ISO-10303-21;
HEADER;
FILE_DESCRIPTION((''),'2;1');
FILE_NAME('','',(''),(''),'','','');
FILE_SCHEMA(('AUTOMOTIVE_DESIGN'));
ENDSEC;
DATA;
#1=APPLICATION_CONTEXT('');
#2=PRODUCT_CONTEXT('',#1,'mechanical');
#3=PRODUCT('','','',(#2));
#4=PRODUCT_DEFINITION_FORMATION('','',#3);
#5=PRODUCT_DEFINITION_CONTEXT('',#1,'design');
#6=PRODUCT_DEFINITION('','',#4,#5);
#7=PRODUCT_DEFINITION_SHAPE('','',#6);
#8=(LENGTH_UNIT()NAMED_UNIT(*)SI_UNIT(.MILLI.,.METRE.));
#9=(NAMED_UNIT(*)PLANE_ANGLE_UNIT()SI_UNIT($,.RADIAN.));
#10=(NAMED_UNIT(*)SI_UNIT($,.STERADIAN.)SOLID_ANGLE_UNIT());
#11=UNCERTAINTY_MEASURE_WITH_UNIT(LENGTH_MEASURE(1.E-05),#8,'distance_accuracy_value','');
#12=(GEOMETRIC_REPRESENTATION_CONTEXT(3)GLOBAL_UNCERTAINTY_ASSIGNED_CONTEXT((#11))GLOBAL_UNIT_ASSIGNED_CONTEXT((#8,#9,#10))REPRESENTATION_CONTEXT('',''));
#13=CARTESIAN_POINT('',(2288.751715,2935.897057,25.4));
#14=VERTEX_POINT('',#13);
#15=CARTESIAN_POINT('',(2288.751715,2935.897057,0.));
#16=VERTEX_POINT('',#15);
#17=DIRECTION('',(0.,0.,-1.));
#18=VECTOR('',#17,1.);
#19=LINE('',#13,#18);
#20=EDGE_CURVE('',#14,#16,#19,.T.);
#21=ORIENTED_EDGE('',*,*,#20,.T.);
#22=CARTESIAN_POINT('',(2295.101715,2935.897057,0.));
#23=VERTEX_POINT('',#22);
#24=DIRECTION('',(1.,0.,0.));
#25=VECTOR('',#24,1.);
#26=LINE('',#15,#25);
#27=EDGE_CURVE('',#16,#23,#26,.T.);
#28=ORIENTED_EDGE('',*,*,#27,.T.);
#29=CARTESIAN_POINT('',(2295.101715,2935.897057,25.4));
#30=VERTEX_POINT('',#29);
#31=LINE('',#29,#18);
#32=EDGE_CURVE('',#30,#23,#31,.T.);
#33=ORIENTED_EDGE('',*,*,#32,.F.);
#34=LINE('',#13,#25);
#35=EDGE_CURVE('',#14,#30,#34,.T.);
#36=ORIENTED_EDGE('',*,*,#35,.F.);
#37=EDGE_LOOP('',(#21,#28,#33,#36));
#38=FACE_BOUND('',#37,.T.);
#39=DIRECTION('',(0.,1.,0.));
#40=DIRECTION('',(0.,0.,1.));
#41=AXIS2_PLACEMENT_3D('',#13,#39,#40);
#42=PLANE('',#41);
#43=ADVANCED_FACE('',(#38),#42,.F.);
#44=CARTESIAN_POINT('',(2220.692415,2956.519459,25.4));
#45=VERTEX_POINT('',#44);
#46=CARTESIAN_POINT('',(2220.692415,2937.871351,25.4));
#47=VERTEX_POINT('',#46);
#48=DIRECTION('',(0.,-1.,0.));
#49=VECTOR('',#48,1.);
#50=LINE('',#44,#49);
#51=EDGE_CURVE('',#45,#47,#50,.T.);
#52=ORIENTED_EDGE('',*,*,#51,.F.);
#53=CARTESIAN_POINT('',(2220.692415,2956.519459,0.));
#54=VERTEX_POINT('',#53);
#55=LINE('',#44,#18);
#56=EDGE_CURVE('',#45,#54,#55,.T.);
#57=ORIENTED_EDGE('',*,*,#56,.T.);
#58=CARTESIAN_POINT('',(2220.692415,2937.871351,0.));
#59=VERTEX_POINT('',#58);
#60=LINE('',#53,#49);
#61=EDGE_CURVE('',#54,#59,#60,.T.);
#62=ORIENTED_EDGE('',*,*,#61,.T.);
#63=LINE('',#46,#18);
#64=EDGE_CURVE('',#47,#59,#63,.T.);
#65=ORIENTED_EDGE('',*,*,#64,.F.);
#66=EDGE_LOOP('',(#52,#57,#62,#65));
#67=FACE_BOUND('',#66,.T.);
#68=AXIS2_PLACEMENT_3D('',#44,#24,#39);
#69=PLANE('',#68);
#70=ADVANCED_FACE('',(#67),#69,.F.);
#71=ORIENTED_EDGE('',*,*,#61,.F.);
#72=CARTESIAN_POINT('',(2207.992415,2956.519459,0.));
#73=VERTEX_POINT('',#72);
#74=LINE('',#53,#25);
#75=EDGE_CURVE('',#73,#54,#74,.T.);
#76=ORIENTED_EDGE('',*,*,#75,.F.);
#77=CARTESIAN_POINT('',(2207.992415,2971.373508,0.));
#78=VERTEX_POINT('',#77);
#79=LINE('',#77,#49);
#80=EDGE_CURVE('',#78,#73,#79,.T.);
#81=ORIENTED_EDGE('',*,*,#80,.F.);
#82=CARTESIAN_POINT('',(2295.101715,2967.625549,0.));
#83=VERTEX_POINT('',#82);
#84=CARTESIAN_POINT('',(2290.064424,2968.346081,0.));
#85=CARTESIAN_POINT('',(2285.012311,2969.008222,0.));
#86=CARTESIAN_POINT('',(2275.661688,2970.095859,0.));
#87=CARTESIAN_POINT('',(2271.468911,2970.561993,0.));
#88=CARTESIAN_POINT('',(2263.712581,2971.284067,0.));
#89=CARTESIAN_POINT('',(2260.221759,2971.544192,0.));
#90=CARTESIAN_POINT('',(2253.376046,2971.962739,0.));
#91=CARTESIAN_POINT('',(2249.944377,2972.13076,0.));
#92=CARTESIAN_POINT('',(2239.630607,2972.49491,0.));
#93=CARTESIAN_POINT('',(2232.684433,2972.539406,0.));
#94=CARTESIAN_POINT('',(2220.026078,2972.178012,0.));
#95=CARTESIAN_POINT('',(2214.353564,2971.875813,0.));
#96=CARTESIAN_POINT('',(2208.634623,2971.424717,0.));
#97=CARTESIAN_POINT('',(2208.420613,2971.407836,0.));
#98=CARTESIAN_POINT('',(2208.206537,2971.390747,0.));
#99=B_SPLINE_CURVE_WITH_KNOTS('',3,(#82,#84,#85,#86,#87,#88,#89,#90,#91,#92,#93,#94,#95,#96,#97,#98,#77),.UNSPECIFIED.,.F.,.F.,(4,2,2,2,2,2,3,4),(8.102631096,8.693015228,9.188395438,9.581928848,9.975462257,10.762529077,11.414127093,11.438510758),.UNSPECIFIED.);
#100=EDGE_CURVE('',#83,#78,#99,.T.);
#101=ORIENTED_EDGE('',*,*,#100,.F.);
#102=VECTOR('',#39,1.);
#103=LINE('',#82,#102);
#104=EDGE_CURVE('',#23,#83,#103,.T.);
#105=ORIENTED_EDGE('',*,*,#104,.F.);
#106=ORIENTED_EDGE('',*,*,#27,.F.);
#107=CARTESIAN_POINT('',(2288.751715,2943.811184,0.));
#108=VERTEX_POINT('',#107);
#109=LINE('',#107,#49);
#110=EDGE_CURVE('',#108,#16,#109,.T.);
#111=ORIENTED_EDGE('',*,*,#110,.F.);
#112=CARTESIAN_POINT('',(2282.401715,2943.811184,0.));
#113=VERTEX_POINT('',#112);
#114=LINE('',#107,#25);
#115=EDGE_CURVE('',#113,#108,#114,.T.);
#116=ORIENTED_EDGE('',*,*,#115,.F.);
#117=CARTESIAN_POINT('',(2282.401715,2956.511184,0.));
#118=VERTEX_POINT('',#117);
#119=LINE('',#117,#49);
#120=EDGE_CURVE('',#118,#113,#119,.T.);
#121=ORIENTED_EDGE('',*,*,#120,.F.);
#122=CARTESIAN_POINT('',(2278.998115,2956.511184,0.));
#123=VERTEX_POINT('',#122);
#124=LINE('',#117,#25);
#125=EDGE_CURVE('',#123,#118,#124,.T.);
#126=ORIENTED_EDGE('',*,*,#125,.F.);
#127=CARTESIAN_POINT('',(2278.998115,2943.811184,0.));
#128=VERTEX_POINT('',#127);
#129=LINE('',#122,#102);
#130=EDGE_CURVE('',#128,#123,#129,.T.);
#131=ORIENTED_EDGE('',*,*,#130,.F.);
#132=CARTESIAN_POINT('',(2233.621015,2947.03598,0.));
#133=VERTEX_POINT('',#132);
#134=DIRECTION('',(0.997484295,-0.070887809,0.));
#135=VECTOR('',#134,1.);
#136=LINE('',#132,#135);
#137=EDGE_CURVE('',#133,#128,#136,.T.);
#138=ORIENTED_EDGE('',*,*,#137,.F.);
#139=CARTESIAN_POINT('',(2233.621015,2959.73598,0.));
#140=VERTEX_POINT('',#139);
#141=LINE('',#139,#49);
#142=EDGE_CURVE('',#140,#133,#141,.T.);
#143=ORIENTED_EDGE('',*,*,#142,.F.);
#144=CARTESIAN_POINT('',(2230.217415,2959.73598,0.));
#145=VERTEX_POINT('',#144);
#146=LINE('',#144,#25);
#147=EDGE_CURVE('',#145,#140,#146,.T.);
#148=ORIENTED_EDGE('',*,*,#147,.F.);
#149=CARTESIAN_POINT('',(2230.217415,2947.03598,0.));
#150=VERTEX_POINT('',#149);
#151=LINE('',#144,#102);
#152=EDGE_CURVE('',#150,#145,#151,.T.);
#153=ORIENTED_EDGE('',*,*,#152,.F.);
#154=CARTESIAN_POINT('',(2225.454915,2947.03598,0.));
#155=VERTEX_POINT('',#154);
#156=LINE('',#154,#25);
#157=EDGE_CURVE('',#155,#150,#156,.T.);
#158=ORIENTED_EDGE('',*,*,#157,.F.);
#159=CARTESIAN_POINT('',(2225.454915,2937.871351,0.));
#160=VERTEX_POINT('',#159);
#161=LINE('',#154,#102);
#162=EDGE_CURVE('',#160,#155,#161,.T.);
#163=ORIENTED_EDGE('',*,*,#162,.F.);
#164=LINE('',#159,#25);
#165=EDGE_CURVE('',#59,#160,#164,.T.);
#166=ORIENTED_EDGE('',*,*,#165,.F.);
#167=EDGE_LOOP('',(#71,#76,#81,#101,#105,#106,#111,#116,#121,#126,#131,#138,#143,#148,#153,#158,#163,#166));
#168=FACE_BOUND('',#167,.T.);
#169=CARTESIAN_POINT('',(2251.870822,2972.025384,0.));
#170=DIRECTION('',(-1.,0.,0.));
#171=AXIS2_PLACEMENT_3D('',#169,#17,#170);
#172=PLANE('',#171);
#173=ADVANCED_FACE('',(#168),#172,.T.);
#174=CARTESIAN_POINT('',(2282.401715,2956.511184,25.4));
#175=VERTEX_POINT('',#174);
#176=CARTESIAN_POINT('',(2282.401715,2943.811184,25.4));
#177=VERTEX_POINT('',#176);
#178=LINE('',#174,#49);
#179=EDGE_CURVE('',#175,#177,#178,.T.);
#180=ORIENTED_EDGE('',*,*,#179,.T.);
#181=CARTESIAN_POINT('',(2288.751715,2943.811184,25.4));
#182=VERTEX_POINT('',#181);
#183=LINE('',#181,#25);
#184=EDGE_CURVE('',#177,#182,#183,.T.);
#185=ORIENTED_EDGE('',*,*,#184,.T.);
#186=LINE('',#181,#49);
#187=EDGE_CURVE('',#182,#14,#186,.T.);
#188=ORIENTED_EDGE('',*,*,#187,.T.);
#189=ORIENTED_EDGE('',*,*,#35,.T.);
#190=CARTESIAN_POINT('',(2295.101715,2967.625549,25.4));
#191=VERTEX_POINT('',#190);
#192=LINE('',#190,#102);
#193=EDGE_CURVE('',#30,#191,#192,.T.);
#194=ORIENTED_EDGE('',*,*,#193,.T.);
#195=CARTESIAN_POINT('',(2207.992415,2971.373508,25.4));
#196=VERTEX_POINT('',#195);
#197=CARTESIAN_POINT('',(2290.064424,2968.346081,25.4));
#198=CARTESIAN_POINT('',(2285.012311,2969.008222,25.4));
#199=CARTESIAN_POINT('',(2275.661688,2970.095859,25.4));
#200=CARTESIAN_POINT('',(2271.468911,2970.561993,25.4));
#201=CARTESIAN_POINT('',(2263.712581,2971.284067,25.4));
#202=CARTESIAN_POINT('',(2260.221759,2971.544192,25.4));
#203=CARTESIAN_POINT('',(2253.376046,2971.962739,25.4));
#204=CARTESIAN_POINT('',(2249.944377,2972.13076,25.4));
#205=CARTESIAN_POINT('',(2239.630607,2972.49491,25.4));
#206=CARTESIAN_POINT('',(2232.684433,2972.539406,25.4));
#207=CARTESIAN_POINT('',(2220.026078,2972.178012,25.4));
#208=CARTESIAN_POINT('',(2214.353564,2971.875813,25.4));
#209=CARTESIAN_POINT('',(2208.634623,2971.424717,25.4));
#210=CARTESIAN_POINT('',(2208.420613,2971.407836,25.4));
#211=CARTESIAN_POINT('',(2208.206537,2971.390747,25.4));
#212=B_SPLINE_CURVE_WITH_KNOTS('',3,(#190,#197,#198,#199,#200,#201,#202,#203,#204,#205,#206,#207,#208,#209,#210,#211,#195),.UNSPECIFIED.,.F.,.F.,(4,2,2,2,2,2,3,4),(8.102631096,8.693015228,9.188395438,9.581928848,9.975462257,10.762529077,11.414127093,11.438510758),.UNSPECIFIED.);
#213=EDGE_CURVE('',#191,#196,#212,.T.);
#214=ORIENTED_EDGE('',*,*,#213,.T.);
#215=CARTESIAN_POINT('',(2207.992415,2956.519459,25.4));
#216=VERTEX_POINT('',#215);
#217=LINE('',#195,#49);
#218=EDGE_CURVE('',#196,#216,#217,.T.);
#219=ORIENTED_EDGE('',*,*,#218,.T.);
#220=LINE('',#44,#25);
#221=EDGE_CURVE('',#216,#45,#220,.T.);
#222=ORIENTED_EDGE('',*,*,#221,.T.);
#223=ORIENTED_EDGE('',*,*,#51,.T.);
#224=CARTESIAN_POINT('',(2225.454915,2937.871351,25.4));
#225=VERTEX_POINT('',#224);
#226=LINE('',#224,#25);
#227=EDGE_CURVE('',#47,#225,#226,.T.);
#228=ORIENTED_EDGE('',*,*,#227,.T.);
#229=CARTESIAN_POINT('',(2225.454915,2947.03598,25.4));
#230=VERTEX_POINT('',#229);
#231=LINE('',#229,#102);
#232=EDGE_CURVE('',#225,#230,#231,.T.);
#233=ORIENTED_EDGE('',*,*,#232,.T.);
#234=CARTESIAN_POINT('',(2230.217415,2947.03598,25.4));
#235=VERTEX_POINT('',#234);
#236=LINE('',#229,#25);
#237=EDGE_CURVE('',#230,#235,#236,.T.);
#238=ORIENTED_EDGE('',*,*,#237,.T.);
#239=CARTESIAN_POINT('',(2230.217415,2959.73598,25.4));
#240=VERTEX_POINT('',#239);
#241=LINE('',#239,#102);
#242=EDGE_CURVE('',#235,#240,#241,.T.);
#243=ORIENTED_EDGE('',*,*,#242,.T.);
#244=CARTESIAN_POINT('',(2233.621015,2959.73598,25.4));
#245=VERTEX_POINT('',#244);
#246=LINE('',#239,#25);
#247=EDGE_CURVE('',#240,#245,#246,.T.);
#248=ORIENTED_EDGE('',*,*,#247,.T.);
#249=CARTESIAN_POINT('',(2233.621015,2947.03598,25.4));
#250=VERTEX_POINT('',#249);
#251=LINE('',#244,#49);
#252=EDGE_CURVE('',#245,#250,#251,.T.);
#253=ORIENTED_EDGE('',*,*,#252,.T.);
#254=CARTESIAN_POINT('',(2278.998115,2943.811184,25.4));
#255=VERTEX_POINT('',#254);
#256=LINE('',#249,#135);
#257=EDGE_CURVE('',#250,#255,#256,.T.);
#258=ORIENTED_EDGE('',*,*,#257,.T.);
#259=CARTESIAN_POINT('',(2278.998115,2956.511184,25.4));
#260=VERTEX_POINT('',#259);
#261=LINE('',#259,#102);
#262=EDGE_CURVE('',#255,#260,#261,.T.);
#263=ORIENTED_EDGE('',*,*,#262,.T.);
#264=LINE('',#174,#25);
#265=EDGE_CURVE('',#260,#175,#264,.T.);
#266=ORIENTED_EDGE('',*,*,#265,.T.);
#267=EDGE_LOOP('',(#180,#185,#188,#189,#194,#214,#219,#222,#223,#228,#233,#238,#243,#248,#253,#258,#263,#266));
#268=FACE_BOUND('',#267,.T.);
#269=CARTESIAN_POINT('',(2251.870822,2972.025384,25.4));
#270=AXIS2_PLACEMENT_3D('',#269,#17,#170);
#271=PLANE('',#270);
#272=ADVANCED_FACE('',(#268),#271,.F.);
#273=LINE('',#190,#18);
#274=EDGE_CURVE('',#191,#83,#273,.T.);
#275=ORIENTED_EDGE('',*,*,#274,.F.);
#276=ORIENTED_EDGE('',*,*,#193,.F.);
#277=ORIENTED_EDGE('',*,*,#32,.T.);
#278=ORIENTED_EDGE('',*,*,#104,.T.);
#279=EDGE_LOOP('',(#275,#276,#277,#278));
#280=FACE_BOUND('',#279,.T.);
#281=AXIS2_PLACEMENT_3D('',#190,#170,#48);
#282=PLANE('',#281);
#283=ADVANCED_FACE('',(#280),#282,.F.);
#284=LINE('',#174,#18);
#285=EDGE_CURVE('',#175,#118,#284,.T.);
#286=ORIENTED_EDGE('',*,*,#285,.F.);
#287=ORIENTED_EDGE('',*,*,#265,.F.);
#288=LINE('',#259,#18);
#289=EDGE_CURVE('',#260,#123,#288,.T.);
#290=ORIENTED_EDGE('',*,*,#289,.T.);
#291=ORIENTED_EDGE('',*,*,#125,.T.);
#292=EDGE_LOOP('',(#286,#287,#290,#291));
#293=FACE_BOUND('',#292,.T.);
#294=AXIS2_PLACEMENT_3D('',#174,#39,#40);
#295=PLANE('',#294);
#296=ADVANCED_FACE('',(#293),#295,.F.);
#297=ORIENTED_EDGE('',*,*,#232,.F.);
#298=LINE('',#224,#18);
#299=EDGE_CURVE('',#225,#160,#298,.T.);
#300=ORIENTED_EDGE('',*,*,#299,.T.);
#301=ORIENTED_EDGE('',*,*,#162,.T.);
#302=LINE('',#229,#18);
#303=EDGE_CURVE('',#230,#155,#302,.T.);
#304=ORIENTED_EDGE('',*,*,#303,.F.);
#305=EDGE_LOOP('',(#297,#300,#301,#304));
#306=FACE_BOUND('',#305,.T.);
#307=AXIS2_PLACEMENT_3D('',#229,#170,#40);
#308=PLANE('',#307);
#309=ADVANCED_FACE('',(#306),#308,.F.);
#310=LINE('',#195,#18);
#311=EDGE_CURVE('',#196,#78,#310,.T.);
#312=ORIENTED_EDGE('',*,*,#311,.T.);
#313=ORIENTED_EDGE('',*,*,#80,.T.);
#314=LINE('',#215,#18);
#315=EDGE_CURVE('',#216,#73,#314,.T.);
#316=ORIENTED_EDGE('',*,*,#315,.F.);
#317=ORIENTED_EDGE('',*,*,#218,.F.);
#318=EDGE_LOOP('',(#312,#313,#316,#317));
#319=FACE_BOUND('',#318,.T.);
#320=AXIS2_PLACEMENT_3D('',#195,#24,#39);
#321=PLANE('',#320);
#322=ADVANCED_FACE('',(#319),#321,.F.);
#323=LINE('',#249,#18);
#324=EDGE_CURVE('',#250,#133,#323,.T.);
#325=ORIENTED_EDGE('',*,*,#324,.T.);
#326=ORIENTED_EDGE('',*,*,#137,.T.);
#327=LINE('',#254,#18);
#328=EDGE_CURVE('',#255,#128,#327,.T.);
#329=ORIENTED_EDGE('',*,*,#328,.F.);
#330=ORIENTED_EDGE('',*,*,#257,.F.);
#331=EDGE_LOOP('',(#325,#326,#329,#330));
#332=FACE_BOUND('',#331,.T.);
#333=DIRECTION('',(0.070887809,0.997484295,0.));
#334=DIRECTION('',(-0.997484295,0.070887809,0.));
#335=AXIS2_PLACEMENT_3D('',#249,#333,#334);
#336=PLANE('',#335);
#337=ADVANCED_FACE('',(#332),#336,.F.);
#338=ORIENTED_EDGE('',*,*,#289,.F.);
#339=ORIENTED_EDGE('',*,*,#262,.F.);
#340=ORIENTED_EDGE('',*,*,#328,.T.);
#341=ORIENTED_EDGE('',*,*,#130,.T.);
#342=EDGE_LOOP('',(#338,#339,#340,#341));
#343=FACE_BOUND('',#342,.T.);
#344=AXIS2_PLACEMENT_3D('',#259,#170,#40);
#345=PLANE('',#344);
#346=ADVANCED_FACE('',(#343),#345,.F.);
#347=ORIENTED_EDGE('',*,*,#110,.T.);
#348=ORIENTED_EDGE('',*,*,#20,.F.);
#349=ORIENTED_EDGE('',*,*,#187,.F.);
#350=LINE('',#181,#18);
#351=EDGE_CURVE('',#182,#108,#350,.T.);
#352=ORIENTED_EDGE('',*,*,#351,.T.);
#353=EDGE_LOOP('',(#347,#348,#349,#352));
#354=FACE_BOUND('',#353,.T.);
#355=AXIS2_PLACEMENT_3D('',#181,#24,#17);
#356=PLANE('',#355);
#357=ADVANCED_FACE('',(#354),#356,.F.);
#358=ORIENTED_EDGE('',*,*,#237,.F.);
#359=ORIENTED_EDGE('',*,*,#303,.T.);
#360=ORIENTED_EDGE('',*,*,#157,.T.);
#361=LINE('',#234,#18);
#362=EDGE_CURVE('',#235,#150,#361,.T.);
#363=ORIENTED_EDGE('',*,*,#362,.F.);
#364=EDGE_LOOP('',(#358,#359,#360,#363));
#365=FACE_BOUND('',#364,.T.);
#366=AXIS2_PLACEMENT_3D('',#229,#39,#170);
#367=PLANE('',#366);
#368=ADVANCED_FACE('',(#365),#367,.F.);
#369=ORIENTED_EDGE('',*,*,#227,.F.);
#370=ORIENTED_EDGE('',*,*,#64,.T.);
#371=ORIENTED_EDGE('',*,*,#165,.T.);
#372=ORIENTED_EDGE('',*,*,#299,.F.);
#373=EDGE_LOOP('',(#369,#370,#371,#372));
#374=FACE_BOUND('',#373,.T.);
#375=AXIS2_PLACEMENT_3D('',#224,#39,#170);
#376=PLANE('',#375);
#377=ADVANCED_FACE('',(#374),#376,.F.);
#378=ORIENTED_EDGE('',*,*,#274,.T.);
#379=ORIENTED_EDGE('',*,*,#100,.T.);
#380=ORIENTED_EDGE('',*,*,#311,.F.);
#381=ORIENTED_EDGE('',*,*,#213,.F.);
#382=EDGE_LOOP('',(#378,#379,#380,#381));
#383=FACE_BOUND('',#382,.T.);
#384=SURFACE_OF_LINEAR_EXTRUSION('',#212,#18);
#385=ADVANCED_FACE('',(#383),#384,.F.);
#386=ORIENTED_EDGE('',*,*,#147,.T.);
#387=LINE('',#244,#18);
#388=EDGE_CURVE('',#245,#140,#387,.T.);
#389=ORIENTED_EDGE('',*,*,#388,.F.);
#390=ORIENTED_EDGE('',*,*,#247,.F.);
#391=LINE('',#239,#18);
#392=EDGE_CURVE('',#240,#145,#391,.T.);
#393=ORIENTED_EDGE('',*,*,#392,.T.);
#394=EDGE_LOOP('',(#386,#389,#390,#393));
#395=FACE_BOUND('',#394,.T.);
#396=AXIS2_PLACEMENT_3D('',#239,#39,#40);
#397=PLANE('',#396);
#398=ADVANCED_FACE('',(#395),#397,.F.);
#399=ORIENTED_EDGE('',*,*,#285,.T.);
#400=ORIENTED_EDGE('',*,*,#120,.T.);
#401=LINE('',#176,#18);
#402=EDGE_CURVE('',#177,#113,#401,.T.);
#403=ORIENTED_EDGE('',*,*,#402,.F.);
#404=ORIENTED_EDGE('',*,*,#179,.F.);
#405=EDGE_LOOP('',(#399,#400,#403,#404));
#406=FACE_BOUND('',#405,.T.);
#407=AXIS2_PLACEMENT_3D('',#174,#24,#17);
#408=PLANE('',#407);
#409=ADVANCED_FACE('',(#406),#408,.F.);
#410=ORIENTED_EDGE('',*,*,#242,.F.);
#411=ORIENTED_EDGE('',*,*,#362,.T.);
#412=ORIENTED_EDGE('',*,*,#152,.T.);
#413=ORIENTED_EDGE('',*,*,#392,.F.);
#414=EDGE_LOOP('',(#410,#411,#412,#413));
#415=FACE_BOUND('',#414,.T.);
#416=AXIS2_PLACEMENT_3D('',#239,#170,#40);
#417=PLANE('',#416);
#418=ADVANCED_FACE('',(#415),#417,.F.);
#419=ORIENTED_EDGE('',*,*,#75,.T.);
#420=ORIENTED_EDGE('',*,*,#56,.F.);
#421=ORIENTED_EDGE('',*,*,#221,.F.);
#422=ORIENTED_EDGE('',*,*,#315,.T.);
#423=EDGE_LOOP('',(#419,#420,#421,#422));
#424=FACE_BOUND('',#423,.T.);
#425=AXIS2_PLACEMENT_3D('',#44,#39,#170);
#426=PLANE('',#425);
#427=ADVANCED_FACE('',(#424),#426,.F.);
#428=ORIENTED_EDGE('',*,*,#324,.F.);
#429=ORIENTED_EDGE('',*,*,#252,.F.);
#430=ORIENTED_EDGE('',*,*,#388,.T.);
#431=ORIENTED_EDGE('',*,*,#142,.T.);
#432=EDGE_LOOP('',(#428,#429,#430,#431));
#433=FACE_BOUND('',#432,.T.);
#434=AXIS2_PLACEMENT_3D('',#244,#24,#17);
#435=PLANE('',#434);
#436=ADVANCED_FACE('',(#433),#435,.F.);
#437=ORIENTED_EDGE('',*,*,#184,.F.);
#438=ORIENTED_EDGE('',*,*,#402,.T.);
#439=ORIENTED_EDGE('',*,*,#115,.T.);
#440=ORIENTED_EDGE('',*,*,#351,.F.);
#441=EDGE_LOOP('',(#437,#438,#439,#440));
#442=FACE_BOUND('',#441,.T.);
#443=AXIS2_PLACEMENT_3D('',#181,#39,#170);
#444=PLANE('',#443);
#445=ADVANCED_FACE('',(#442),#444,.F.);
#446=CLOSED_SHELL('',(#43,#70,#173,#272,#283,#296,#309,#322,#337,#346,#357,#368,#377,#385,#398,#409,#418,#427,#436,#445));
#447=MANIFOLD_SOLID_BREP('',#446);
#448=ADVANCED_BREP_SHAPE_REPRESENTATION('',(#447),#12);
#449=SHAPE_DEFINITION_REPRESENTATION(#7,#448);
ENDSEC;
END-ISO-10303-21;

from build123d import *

# Parameters (mm, degrees)
BOSS_EXTRUDE1_DEPTH = 25.4


with BuildPart() as part:
    # Sketch1 → Boss-Extrude1 (new body)
    with BuildSketch(Plane.XY):
        with BuildLine():
            Line((2220.692415066, 2956.519458786), (2207.992415066, 2956.519458786))
            Line((2207.992415066, 2956.519458786), (2207.992415066, 2971.373508056))
            add(Edge.make_bspline(
                [(2295.101715066, 2967.625549053), (2290.064424466, 2968.346081243), (2285.012310956, 2969.008222259), (2275.661688407, 2970.095859332), (2271.46891104, 2970.561992631), (2263.712580892, 2971.284066653), (2260.22175859, 2971.544191767), (2253.376045681, 2971.962739192), (2249.944376881, 2972.130760127), (2239.630606872, 2972.494910089), (2232.684433427, 2972.539406456), (2220.026077535, 2972.178011529), (2214.353563633, 2971.875813493), (2208.634622958, 2971.424716902), (2208.420612585, 2971.407836267), (2208.206537198, 2971.390747122), (2207.992415066, 2971.373508056)],
                knots=[8.102631096, 8.102631096, 8.102631096, 8.102631096, 8.693015228, 8.693015228, 9.188395438, 9.188395438, 9.581928848, 9.581928848, 9.975462257, 9.975462257, 10.762529077, 10.762529077, 11.414127093, 11.414127093, 11.414127093, 11.438510758, 11.438510758, 11.438510758, 11.438510758], degree=3))
            Line((2295.101715066, 2967.625549053), (2295.101715066, 2935.897056736))
            Line((2295.101715066, 2935.897056736), (2288.751715066, 2935.897056736))
            Line((2288.751715066, 2935.897056736), (2288.751715066, 2943.811183941))
            Line((2288.751715066, 2943.811183941), (2282.401715066, 2943.811183941))
            Line((2282.401715066, 2943.811183941), (2282.401715066, 2956.511183941))
            Line((2282.401715066, 2956.511183941), (2278.998115066, 2956.511183941))
            Line((2278.998115066, 2956.511183941), (2278.998115066, 2943.811183941))
            Line((2278.998115066, 2943.811183941), (2233.621015066, 2947.035979773))
            Line((2233.621015066, 2947.035979773), (2233.621015066, 2959.735979773))
            Line((2233.621015066, 2959.735979773), (2230.217415066, 2959.735979773))
            Line((2230.217415066, 2959.735979773), (2230.217415066, 2947.035979773))
            Line((2230.217415066, 2947.035979773), (2225.454915066, 2947.035979773))
            Line((2225.454915066, 2947.035979773), (2225.454915066, 2937.871351382))
            Line((2225.454915066, 2937.871351382), (2220.692415066, 2937.871351382))
            Line((2220.692415066, 2937.871351382), (2220.692415066, 2956.519458786))
        make_face()
    extrude(amount=BOSS_EXTRUDE1_DEPTH)


solid = part.part
